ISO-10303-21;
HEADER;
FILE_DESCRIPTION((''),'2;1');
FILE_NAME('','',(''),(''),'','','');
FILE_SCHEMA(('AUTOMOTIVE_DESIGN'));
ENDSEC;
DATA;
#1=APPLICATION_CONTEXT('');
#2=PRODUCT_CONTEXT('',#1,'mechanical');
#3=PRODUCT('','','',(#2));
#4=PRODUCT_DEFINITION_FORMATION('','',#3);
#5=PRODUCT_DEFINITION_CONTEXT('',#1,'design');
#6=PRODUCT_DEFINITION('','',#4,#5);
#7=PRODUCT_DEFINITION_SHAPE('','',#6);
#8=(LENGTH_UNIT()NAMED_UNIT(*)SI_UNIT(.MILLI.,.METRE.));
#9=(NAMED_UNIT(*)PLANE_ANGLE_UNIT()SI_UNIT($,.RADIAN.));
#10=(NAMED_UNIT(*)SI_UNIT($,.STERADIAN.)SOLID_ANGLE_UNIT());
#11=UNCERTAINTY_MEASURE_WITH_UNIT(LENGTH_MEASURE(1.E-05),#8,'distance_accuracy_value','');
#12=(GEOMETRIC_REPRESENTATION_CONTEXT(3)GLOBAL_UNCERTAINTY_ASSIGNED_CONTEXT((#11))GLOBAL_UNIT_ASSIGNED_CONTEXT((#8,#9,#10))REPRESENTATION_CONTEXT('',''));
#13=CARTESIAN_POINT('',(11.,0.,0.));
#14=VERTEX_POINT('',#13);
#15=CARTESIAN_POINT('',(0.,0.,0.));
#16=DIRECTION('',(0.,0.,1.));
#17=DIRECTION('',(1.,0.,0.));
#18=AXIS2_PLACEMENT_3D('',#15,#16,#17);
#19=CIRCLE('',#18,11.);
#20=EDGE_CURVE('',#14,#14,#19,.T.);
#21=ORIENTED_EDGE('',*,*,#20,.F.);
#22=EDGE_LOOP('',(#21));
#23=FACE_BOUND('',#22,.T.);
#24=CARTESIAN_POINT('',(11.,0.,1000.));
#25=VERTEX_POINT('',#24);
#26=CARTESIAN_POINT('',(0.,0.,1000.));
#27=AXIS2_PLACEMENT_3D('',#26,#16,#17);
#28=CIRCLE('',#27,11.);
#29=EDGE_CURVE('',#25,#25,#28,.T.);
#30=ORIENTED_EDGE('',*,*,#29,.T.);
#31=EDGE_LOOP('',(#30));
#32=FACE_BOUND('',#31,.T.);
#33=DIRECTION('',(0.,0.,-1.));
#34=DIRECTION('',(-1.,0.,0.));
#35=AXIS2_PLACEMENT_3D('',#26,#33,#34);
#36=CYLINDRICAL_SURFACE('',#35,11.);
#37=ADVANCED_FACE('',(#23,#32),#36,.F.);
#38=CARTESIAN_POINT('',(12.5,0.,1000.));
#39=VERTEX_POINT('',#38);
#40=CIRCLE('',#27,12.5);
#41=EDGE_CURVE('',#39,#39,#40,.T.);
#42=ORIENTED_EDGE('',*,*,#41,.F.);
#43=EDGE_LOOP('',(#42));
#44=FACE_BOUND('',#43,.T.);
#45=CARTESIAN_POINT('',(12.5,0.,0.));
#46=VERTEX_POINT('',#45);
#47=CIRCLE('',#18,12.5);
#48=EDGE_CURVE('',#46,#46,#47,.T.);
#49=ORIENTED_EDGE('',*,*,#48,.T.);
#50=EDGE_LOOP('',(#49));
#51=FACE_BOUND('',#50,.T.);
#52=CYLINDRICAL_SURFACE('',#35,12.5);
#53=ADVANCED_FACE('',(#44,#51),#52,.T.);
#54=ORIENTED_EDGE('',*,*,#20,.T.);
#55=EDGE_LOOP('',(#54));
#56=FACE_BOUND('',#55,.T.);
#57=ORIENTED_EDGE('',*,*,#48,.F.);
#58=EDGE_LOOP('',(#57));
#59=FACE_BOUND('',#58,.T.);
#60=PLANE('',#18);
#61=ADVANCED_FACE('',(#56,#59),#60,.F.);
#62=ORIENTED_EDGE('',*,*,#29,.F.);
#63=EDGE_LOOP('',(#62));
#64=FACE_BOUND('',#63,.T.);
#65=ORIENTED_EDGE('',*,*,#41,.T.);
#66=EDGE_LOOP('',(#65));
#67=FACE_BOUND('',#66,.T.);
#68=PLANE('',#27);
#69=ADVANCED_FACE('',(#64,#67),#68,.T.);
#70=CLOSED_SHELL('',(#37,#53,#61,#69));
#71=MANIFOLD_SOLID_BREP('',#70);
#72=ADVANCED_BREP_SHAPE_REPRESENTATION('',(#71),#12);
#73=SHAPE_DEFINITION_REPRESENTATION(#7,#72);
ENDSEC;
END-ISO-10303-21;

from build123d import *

# Parameters (mm, degrees)
SKETCH1_R           = 12.5
SKETCH1_R_2         = 11
BOSS_EXTRUDE1_DEPTH = 1000


with BuildPart() as part:
    # Sketch1 → Boss-Extrude1 (new body)
    with BuildSketch(Plane.XY):
        Circle(SKETCH1_R)
        Circle(SKETCH1_R_2, mode=Mode.SUBTRACT)
    extrude(amount=BOSS_EXTRUDE1_DEPTH)


solid = part.part
